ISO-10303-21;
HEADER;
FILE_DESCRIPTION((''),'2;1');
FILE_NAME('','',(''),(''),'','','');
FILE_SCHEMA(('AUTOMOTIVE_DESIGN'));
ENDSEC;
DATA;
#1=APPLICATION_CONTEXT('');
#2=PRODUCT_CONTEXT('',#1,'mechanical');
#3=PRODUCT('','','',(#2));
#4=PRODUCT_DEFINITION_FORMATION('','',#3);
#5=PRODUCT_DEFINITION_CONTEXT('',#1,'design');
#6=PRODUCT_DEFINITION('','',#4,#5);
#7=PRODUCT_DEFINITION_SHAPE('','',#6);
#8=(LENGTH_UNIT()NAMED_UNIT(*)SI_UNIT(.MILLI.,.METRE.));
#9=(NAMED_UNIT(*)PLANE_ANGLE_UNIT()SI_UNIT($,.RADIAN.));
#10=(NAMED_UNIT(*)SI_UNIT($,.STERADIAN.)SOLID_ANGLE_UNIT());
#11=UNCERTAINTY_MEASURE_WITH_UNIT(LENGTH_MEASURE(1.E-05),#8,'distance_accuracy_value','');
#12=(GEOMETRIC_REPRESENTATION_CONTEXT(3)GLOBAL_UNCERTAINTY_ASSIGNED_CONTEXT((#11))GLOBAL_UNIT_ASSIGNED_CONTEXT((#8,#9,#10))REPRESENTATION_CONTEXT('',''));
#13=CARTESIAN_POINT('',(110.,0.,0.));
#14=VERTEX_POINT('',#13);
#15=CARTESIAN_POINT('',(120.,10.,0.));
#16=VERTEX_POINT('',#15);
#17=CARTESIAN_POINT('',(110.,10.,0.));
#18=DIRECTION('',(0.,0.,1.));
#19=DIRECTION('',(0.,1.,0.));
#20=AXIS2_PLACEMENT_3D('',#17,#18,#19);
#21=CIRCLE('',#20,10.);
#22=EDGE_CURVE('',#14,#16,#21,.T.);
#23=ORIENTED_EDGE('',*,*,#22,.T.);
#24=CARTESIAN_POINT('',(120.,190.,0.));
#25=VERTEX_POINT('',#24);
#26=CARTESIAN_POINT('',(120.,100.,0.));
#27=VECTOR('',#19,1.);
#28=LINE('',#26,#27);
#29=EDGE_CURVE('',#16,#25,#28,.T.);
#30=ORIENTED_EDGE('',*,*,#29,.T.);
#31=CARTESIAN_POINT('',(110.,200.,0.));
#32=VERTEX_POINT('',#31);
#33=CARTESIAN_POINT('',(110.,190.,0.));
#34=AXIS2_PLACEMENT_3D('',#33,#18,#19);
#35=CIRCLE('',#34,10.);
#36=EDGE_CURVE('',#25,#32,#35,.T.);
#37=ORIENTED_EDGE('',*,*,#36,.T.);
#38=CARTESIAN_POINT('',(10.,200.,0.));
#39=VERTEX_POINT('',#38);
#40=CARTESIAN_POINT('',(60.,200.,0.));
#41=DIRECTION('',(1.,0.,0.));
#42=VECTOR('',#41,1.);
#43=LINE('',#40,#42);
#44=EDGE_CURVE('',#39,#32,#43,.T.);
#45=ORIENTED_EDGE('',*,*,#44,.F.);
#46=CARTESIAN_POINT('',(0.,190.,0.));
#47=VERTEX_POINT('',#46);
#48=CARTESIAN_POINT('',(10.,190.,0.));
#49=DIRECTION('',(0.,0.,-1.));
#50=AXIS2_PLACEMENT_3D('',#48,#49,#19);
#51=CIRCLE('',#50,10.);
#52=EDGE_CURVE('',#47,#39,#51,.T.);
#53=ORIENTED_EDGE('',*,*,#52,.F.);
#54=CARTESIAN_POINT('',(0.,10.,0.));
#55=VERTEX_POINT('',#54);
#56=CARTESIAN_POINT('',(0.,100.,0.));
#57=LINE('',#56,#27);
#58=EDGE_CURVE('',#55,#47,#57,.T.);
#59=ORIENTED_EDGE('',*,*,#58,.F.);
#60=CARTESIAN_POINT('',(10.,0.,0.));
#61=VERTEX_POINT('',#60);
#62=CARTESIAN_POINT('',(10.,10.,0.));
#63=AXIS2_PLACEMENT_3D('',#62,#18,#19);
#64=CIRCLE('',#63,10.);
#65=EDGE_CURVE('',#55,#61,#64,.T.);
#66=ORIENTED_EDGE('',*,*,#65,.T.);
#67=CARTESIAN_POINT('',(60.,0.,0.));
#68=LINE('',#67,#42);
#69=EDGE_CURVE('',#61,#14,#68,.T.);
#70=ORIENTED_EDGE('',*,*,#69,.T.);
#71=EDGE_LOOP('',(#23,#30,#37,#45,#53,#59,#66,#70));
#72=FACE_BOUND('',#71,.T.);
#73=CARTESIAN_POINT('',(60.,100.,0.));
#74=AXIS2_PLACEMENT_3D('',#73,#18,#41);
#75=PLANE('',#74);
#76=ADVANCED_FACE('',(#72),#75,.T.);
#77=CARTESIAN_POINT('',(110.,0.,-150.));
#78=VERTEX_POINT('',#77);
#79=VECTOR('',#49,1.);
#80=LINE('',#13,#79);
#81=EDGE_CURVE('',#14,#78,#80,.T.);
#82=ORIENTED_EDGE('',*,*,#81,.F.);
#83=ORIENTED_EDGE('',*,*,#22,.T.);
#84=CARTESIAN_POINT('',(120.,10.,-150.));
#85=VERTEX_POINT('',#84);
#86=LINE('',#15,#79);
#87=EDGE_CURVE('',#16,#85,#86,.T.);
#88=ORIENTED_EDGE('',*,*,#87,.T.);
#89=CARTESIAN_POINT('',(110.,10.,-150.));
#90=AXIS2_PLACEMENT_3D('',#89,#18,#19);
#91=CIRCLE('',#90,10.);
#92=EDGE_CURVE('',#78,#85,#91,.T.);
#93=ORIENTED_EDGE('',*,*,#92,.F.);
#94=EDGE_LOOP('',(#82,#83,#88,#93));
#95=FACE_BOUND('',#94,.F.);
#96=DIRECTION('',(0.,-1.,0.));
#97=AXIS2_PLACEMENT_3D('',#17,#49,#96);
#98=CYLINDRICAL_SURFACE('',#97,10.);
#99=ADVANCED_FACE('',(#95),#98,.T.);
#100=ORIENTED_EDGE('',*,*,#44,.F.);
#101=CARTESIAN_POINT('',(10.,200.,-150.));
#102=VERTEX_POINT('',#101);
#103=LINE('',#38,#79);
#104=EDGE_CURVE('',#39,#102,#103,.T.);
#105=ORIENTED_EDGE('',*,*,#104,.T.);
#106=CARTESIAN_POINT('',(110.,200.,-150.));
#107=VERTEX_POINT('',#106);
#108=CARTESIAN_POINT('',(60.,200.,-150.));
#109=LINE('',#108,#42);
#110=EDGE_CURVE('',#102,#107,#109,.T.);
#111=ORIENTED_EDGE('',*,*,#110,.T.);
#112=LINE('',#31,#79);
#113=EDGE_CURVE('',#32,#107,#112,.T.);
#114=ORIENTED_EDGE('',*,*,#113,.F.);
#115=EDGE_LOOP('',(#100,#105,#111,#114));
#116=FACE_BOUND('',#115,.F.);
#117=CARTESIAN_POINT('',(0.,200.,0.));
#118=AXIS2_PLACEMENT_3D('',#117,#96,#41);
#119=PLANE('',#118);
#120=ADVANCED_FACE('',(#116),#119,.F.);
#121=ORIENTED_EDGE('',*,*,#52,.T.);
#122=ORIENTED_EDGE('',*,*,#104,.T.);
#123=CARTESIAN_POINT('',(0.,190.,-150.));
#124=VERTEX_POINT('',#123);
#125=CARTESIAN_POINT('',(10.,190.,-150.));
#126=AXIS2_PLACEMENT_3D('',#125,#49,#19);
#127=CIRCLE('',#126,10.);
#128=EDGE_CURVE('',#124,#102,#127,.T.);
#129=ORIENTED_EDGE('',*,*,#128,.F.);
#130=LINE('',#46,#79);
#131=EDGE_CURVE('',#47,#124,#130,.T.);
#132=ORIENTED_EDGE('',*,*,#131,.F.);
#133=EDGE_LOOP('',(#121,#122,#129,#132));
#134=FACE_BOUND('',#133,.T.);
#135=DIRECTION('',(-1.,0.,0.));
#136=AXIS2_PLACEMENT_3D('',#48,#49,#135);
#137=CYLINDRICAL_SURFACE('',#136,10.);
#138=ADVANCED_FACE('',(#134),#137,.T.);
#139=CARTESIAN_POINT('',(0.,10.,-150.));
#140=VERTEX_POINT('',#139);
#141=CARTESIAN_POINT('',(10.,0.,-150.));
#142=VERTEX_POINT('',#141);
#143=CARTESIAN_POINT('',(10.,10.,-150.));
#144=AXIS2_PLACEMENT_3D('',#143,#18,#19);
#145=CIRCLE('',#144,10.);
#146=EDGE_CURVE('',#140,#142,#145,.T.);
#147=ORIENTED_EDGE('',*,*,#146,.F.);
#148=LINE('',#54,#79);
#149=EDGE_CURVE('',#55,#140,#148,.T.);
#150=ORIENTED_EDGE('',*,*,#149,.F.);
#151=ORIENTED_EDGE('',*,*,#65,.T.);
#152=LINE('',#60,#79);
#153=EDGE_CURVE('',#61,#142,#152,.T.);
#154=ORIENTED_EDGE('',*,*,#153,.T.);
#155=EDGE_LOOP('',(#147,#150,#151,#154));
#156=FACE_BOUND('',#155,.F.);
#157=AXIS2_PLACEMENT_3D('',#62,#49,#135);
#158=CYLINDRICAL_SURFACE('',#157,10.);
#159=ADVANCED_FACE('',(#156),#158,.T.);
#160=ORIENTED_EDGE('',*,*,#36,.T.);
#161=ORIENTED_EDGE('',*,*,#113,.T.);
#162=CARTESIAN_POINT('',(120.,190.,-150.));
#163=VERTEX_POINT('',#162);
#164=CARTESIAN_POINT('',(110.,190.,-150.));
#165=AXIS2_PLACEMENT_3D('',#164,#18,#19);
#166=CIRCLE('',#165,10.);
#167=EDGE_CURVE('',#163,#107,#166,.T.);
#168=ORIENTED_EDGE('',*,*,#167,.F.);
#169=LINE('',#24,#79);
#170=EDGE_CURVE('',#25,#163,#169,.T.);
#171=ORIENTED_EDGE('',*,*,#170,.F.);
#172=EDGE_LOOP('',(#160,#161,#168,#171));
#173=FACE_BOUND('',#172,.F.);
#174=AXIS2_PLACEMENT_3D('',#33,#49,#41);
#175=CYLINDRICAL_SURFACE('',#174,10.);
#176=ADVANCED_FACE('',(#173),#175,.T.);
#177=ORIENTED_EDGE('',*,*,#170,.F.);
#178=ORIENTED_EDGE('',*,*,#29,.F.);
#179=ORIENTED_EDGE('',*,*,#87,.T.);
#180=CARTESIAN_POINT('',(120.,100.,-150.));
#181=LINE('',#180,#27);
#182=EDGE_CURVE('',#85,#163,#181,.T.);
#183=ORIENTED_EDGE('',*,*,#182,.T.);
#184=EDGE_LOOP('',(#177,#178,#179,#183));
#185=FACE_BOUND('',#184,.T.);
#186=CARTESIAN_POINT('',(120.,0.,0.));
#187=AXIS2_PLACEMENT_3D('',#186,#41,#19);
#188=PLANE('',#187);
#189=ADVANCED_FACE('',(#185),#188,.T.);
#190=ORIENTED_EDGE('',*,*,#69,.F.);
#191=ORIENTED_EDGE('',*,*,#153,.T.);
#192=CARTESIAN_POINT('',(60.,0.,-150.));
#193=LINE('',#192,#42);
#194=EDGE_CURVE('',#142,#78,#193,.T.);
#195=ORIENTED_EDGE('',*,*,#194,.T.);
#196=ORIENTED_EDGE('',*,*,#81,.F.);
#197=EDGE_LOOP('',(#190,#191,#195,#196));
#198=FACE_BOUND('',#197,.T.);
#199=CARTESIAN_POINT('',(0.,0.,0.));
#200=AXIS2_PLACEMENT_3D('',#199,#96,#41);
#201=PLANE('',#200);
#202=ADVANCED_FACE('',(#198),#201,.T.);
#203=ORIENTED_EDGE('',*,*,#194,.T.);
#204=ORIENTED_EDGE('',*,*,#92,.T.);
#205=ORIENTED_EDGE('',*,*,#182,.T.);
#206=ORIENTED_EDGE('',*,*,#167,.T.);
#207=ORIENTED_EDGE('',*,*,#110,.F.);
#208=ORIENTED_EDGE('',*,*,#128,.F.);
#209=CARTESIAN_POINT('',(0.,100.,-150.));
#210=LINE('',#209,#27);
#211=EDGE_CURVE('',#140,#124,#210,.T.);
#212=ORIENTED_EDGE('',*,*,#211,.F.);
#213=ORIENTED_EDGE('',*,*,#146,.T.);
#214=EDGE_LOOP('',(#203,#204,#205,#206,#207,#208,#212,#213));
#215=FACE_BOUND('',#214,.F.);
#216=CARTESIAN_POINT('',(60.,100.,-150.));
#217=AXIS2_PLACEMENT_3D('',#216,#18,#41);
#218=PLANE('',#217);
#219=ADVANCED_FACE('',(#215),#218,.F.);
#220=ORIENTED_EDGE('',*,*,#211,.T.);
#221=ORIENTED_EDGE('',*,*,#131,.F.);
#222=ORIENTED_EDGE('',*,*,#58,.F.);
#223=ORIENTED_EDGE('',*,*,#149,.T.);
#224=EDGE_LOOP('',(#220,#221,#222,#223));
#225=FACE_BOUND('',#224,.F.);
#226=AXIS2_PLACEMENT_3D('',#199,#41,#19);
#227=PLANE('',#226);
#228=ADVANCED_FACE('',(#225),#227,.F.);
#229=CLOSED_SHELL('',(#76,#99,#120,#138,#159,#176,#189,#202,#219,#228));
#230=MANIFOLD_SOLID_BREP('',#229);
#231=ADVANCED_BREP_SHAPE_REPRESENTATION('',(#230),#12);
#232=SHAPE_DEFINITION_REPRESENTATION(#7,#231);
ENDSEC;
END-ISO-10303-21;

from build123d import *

# Parameters (mm, degrees)
F0_W     = 120
F0_H     = 200
F1_DEPTH = 150
F2_R     = 10


with BuildPart() as f1:
    # F0 (on Top) → F1 (new body)
    with BuildSketch(Plane.XY):
        with Locations((60, 100)):
            Rectangle(F0_W, F0_H)
    extrude(amount=-F1_DEPTH)

    # F2
    f2_edges = [f1.edges().sort_by_distance(p)[0] for p in [
        (120, 200, -75),
        (0, 200, -75),
        (0, 0, -75),
        (120, 0, -75),
    ]]
    fillet(f2_edges, radius=F2_R)


solid = f1.part
